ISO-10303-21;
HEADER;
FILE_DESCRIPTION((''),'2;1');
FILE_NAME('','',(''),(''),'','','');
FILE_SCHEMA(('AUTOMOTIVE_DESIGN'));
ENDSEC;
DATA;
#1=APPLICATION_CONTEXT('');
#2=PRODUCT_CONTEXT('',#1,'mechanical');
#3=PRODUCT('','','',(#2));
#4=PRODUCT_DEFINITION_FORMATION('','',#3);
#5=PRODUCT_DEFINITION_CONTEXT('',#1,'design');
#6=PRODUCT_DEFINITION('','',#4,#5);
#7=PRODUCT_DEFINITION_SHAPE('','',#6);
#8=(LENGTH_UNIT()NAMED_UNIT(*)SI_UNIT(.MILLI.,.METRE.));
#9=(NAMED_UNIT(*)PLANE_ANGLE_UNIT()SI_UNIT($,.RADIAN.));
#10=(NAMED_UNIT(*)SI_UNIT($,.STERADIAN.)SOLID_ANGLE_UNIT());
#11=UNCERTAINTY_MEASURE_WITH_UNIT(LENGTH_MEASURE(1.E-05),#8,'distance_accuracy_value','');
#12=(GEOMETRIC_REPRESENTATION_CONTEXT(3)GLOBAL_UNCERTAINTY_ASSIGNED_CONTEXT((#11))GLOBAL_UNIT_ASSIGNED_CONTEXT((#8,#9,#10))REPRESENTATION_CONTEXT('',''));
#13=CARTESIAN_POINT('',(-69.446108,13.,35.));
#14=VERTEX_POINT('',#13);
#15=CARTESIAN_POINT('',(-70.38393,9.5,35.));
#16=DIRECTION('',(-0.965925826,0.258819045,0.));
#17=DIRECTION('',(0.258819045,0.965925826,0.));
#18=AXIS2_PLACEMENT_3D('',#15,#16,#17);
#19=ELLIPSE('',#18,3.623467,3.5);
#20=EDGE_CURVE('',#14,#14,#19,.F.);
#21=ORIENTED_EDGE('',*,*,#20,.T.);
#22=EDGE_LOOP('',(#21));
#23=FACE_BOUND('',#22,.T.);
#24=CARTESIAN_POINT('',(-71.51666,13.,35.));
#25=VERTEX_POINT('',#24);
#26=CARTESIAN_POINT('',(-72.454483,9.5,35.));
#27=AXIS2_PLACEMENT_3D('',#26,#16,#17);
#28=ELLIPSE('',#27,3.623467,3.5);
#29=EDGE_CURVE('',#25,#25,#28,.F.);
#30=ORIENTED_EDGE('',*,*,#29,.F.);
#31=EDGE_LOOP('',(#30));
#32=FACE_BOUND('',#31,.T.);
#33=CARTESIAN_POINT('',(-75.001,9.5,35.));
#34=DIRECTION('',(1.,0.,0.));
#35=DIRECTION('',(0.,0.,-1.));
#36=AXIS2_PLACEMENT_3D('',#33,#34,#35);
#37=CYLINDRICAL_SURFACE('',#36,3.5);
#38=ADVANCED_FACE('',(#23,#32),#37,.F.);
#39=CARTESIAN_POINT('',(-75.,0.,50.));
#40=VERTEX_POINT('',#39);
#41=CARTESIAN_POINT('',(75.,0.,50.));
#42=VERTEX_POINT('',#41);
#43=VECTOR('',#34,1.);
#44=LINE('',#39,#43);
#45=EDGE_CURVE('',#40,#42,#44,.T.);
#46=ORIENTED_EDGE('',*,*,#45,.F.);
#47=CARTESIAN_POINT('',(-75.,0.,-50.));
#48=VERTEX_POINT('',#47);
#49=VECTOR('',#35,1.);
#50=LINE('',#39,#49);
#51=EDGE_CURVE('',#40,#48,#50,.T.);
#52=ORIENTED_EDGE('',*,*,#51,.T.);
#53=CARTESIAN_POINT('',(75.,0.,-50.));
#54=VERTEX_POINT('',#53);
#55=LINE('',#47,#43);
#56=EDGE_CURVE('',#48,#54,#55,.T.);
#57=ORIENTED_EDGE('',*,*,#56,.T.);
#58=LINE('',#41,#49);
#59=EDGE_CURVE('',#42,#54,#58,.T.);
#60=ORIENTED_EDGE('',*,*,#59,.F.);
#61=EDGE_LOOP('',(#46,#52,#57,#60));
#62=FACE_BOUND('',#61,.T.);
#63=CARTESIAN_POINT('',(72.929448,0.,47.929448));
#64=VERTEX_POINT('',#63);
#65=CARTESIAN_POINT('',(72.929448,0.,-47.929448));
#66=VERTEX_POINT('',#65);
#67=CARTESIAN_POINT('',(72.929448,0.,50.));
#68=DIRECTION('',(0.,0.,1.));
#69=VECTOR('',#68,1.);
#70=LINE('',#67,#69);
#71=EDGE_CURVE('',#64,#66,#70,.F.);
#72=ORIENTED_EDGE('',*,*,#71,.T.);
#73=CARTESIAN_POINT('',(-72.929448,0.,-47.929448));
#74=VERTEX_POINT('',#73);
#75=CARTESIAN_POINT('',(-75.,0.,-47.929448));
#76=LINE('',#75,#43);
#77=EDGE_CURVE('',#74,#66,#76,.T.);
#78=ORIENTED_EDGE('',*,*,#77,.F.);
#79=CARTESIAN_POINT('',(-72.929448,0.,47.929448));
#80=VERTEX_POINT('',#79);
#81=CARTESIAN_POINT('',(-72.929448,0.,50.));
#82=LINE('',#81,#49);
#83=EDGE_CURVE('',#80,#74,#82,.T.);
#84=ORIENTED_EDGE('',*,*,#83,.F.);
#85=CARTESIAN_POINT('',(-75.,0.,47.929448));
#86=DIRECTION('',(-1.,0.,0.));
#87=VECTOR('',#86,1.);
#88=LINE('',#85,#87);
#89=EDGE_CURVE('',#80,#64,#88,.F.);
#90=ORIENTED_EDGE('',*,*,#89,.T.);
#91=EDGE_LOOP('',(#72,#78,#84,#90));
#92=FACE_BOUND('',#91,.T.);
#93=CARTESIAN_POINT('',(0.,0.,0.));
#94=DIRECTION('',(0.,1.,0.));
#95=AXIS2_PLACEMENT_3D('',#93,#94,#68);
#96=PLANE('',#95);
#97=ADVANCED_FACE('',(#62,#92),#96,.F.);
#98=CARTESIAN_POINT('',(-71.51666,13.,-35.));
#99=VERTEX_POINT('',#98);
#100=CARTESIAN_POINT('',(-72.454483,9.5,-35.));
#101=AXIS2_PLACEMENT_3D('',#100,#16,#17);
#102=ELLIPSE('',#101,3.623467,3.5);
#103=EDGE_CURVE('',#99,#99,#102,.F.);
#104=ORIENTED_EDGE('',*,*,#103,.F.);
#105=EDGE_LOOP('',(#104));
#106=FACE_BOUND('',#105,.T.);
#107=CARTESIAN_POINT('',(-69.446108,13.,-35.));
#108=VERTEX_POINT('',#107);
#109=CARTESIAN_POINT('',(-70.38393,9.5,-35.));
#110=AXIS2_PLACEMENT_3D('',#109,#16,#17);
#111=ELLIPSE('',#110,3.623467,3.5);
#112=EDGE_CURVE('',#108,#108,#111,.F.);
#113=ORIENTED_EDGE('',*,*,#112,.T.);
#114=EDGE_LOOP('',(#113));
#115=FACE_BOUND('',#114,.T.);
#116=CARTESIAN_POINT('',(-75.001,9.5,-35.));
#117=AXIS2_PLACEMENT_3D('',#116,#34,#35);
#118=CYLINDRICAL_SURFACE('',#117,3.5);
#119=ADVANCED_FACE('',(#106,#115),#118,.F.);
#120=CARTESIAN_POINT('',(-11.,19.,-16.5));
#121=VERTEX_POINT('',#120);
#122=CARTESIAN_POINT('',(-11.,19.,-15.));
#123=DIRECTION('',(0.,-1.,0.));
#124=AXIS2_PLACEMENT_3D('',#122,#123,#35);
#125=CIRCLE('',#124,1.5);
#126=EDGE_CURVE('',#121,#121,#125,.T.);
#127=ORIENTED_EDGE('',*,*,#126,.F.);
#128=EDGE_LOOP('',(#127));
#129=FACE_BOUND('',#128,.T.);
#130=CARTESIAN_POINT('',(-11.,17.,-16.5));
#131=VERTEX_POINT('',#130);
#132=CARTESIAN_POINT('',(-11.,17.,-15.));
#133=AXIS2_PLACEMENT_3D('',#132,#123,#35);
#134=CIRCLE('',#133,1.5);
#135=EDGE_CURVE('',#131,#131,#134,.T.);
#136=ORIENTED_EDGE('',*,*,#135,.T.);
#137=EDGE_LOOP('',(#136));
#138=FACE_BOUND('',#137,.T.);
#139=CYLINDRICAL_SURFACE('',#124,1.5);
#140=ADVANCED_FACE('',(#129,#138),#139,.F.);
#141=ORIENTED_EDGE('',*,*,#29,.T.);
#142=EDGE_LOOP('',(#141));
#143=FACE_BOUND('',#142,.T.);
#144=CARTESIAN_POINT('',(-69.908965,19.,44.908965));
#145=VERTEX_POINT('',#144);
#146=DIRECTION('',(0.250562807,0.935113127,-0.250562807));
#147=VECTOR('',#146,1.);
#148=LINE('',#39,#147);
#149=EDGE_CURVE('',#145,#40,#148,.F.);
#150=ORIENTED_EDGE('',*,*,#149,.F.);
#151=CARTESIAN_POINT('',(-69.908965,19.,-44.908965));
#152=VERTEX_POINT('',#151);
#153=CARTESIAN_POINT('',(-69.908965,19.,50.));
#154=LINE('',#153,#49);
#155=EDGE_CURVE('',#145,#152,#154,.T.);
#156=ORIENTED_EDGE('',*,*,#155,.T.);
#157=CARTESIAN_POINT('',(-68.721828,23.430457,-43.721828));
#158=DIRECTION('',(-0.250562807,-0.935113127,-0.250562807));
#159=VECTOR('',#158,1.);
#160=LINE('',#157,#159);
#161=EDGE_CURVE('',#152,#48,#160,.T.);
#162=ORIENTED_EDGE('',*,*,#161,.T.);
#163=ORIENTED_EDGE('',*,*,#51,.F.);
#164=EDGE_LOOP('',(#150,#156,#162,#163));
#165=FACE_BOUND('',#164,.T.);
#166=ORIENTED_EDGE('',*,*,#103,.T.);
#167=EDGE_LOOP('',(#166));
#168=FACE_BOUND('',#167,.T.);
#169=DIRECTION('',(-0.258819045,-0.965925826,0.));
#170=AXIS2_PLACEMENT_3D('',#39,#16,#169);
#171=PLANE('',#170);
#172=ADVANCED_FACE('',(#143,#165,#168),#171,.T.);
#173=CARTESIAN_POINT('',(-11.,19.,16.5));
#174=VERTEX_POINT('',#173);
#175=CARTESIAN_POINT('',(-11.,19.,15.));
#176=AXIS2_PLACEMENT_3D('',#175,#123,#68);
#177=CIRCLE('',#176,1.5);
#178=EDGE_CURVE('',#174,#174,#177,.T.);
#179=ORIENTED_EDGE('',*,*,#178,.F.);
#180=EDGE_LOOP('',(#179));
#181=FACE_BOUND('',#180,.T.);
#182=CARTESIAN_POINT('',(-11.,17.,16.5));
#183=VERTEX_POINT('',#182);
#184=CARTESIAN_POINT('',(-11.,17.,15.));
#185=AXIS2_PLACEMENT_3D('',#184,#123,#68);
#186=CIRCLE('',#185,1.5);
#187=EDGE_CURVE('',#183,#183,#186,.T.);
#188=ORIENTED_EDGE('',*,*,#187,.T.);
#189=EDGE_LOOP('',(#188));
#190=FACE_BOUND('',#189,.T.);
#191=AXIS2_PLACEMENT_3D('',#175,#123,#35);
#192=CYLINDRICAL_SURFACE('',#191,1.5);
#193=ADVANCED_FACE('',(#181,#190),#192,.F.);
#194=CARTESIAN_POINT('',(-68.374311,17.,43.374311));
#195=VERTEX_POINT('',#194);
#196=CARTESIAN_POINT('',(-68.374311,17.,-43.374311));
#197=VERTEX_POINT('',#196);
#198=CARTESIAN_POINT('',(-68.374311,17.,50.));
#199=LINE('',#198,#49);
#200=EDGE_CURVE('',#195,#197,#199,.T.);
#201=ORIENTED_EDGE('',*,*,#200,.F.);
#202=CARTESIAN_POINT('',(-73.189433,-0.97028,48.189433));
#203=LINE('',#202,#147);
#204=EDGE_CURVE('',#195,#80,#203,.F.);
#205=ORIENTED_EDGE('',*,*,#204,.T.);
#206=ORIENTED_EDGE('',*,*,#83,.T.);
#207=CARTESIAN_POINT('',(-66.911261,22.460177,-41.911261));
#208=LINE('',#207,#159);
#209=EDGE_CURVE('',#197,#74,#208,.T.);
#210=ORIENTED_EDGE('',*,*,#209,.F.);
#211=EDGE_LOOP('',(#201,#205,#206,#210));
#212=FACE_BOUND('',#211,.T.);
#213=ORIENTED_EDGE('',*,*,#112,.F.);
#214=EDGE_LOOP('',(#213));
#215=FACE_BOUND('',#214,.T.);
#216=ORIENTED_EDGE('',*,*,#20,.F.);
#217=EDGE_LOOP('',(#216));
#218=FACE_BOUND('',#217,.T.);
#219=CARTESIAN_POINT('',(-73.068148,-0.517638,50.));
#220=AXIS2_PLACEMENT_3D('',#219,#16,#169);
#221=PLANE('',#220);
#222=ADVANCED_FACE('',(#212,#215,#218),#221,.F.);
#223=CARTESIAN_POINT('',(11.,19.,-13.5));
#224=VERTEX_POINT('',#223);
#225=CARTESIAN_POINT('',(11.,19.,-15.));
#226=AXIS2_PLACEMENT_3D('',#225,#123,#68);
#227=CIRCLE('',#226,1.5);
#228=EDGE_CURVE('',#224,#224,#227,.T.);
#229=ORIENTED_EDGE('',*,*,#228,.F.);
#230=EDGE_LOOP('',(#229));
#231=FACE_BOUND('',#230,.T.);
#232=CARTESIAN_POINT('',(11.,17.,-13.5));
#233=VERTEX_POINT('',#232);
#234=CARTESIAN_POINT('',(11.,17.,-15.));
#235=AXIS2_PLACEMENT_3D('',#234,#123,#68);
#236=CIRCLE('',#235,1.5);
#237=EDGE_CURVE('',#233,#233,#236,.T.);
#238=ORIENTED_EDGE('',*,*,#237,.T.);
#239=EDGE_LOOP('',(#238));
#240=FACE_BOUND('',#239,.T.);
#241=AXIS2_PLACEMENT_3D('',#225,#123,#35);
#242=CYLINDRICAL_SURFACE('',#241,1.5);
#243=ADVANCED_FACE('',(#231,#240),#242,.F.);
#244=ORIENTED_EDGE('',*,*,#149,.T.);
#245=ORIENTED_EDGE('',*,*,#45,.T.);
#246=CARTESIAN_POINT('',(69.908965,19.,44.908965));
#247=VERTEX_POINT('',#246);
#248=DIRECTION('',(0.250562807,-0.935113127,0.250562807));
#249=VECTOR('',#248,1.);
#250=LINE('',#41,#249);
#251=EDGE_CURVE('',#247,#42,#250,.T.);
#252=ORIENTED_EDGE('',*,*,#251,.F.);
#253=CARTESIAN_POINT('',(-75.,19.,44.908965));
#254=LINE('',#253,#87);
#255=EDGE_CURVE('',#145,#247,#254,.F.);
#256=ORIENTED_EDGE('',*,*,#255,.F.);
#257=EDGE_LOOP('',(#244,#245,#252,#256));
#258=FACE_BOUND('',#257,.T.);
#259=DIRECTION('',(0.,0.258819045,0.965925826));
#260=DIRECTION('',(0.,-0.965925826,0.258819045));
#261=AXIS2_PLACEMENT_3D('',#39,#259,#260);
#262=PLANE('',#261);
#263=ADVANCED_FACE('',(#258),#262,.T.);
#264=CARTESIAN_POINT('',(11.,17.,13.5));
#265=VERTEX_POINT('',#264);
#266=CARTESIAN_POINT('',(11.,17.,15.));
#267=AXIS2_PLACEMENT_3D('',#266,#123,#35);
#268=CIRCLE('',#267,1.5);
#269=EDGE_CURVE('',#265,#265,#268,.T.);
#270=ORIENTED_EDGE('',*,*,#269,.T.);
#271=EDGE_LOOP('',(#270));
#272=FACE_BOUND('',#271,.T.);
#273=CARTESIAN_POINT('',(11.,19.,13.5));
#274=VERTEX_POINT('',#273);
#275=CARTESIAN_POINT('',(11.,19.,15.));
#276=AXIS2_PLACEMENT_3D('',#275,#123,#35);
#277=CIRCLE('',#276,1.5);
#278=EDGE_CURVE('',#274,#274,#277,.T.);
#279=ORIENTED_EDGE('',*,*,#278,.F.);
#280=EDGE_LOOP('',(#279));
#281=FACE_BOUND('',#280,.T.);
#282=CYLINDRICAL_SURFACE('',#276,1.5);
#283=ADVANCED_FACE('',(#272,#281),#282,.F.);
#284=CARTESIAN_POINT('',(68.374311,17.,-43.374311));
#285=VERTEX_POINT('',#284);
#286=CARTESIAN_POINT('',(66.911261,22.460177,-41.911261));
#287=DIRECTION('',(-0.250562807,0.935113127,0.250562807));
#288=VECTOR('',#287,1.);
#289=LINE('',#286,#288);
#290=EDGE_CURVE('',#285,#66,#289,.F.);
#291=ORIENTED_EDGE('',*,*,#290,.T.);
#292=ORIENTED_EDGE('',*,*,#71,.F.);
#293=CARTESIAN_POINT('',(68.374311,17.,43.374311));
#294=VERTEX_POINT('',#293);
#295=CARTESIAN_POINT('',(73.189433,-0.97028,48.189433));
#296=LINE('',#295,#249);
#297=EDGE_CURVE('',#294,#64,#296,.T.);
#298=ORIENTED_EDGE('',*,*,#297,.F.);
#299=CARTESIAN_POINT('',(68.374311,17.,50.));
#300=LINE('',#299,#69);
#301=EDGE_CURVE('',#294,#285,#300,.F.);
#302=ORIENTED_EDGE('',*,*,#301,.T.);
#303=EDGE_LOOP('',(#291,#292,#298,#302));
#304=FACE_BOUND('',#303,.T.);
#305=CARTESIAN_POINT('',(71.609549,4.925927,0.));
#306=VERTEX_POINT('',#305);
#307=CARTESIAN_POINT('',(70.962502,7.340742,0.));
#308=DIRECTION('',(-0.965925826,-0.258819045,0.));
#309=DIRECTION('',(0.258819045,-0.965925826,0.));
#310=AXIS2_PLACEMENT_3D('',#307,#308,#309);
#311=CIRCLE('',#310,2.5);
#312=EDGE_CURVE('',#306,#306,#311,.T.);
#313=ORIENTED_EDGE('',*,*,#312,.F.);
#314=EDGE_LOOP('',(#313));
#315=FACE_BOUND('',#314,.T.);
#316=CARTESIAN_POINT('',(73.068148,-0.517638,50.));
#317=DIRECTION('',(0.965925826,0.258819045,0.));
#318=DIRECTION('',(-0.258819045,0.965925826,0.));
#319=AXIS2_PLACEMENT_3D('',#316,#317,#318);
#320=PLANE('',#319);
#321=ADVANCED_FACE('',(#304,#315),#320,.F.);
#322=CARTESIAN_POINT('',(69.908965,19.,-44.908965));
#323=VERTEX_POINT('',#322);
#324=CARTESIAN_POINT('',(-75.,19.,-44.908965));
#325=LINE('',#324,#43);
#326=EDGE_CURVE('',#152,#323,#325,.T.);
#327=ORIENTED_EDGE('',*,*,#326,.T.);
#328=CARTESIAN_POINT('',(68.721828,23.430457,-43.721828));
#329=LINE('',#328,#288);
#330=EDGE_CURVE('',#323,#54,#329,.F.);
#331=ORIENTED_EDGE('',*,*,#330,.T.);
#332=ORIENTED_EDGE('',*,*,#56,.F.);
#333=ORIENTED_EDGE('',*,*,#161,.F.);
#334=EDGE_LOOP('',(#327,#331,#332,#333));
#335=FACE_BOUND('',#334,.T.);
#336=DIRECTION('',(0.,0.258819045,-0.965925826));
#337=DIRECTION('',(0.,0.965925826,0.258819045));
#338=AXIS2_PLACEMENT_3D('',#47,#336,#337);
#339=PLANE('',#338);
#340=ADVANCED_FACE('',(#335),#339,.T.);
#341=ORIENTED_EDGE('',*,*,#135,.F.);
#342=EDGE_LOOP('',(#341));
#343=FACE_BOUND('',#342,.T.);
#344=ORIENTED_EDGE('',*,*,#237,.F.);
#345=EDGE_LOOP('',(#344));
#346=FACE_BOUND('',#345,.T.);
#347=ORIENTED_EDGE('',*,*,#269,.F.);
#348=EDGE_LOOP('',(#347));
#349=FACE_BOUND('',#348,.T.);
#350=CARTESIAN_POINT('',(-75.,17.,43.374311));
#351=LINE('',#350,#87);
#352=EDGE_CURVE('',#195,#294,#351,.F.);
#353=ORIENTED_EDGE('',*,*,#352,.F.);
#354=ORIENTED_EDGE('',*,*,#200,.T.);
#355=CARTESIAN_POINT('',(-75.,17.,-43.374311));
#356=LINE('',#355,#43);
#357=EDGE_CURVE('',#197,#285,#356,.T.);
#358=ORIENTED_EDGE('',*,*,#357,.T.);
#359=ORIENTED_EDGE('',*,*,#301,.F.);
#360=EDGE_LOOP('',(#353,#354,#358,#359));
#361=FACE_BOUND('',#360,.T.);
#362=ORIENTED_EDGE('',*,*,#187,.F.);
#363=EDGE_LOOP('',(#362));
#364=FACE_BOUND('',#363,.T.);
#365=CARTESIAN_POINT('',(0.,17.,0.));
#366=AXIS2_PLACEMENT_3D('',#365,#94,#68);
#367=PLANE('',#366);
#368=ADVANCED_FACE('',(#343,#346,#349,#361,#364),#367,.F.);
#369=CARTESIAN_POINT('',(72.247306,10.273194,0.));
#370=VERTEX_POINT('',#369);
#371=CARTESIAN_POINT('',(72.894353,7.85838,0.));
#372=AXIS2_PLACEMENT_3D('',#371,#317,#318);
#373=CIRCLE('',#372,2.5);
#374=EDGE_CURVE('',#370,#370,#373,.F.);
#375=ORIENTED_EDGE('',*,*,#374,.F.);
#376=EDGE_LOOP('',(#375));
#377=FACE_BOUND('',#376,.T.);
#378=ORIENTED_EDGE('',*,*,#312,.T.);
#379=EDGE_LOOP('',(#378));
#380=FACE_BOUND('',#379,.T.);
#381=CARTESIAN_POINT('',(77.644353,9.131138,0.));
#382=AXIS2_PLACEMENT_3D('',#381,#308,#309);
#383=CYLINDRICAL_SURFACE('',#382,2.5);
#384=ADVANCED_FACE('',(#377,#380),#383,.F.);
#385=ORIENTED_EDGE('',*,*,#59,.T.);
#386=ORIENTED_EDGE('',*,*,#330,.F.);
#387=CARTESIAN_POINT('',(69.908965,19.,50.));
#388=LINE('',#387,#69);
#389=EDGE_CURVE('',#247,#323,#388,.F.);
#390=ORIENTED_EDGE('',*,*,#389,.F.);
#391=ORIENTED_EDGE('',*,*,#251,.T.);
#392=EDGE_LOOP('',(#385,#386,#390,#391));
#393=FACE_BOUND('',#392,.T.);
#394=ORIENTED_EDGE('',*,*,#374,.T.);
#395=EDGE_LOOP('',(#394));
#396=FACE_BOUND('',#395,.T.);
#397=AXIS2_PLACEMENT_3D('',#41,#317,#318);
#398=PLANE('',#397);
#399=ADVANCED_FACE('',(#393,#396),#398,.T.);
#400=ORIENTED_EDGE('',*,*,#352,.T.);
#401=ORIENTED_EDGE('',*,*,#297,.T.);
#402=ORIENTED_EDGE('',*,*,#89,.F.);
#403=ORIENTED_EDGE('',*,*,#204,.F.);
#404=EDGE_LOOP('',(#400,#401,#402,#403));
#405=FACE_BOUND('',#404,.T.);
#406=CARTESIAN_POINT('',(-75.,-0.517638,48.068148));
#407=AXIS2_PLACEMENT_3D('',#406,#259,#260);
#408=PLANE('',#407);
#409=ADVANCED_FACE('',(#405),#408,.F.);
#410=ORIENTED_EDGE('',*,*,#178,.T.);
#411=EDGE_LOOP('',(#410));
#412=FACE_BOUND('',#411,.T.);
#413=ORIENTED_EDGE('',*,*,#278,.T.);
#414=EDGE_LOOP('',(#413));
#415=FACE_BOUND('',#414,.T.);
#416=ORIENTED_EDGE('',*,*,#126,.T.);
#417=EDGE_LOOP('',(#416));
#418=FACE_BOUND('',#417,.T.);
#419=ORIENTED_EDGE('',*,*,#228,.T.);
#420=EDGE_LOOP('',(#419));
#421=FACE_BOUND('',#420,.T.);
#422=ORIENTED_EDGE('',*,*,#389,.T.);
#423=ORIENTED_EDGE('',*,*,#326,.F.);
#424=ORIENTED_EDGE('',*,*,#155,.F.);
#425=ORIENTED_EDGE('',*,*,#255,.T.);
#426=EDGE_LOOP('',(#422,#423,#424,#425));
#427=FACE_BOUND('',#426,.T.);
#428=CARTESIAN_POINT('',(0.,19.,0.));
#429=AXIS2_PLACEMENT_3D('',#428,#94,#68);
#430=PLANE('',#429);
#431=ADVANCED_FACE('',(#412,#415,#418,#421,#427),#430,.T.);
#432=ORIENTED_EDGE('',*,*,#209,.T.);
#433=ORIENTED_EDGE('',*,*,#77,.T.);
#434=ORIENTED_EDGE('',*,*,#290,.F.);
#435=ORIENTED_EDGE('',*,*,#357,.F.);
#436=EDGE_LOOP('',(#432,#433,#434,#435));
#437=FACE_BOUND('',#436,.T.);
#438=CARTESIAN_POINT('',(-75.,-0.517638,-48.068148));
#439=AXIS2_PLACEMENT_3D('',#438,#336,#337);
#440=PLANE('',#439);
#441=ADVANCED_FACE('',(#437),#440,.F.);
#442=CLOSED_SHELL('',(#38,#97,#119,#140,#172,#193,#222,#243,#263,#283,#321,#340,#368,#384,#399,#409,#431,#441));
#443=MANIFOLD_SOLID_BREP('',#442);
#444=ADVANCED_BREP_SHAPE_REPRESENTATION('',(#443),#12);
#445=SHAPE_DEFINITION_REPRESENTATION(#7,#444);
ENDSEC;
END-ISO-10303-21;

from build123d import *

# Parameters (mm, degrees)
SKETCH_4_W          = 150
SKETCH_4_H          = 100
EXTRUDE_1_DEPTH     = 19
EXTRUDE_1_TAPER     = 15
SHELL_1_T           = -2
SKETCH_13_R         = 1.5
CUT_EXTRUDE_3_DEPTH = 92.727858519
CUT_EXTRUDE_4_REACH = 94.119
SKETCH_15_R         = 3.5
SKETCH_16_R         = 2.5
CUT_EXTRUDE_5_DEPTH = 153.623831333


with BuildPart() as part:
    # 草图4 → 凸台-拉伸1 (new body)
    with BuildSketch(Plane(origin=(0, 0, 0), x_dir=(1, 0, 0), z_dir=(0, 1, 0))):
        Rectangle(SKETCH_4_W, SKETCH_4_H)
    extrude(amount=EXTRUDE_1_DEPTH, taper=EXTRUDE_1_TAPER)

    # 抽壳1
    shell_1_openings = [part.faces().sort_by_distance(p)[0] for p in [
        (0, 0, 0),
    ]]
    offset(amount=SHELL_1_T, openings=shell_1_openings, kind=Kind.INTERSECTION)

    # 草图13 → 切除-拉伸3 (cut, through all)
    with BuildSketch(Plane.XZ.offset(-17)):
        with Locations(Location((11, 15, 0), (0, 0, 270))):
            Circle(SKETCH_13_R)
        with Locations(Location((-11, 15, 0), (0, 0, 90))):
            Circle(SKETCH_13_R)
        with Locations(Location((11, -15, 0), (0, 0, 90))):
            Circle(SKETCH_13_R)
        with Locations(Location((-11, -15, 0), (0, 0, 270))):
            Circle(SKETCH_13_R)
    extrude(amount=-CUT_EXTRUDE_3_DEPTH, mode=Mode.SUBTRACT)

    # 切除-拉伸4: up to this plane
    cut_extrude_4_end = Plane(origin=(-75, 0, 50), z_dir=(-0.9659258262890681, 0.2588190451025214, 0))
    # 草图15 → 切除-拉伸4 (cut, up to the surface)
    with BuildSketch(Plane(origin=(0, 0, 0), x_dir=(0, 0, -1), z_dir=(1, 0, 0)), mode=Mode.PRIVATE) as cut_extrude_4_sk1:
        with Locations(Location((-35, 9.5, 0), (0, 0, 90))):
            Circle(SKETCH_15_R)
    cut_extrude_4_tool1 = split(extrude(cut_extrude_4_sk1.sketch, amount=-CUT_EXTRUDE_4_REACH, mode=Mode.PRIVATE), bisect_by=cut_extrude_4_end, keep=Keep.BOTH, mode=Mode.PRIVATE)
    add(cut_extrude_4_tool1.solids().sort_by_distance((0, 9.5, 35))[0], mode=Mode.SUBTRACT)
    # 草图15 → 切除-拉伸4 (cut, up to the surface)
    with BuildSketch(Plane(origin=(0, 0, 0), x_dir=(0, 0, -1), z_dir=(1, 0, 0)), mode=Mode.PRIVATE) as cut_extrude_4_sk2:
        with Locations(Location((35, 9.5, 0), (0, 0, 90))):
            Circle(SKETCH_15_R)
    cut_extrude_4_tool2 = split(extrude(cut_extrude_4_sk2.sketch, amount=-CUT_EXTRUDE_4_REACH, mode=Mode.PRIVATE), bisect_by=cut_extrude_4_end, keep=Keep.BOTH, mode=Mode.PRIVATE)
    add(cut_extrude_4_tool2.solids().sort_by_distance((0, 9.5, -35))[0], mode=Mode.SUBTRACT)

    # 草图16 → 切除-拉伸5 (cut, through all)
    with BuildSketch(Plane(origin=(68.044100989, 18.23236191, 0), x_dir=(0, 0, 1), z_dir=(-0.9659258262890681, -0.2588190451025214, 0))):
        with Locations(Location((0, -11.275834931, 0), (0, 0, 270))):
            Circle(SKETCH_16_R)
    extrude(amount=-CUT_EXTRUDE_5_DEPTH, mode=Mode.SUBTRACT)


solid = part.part
